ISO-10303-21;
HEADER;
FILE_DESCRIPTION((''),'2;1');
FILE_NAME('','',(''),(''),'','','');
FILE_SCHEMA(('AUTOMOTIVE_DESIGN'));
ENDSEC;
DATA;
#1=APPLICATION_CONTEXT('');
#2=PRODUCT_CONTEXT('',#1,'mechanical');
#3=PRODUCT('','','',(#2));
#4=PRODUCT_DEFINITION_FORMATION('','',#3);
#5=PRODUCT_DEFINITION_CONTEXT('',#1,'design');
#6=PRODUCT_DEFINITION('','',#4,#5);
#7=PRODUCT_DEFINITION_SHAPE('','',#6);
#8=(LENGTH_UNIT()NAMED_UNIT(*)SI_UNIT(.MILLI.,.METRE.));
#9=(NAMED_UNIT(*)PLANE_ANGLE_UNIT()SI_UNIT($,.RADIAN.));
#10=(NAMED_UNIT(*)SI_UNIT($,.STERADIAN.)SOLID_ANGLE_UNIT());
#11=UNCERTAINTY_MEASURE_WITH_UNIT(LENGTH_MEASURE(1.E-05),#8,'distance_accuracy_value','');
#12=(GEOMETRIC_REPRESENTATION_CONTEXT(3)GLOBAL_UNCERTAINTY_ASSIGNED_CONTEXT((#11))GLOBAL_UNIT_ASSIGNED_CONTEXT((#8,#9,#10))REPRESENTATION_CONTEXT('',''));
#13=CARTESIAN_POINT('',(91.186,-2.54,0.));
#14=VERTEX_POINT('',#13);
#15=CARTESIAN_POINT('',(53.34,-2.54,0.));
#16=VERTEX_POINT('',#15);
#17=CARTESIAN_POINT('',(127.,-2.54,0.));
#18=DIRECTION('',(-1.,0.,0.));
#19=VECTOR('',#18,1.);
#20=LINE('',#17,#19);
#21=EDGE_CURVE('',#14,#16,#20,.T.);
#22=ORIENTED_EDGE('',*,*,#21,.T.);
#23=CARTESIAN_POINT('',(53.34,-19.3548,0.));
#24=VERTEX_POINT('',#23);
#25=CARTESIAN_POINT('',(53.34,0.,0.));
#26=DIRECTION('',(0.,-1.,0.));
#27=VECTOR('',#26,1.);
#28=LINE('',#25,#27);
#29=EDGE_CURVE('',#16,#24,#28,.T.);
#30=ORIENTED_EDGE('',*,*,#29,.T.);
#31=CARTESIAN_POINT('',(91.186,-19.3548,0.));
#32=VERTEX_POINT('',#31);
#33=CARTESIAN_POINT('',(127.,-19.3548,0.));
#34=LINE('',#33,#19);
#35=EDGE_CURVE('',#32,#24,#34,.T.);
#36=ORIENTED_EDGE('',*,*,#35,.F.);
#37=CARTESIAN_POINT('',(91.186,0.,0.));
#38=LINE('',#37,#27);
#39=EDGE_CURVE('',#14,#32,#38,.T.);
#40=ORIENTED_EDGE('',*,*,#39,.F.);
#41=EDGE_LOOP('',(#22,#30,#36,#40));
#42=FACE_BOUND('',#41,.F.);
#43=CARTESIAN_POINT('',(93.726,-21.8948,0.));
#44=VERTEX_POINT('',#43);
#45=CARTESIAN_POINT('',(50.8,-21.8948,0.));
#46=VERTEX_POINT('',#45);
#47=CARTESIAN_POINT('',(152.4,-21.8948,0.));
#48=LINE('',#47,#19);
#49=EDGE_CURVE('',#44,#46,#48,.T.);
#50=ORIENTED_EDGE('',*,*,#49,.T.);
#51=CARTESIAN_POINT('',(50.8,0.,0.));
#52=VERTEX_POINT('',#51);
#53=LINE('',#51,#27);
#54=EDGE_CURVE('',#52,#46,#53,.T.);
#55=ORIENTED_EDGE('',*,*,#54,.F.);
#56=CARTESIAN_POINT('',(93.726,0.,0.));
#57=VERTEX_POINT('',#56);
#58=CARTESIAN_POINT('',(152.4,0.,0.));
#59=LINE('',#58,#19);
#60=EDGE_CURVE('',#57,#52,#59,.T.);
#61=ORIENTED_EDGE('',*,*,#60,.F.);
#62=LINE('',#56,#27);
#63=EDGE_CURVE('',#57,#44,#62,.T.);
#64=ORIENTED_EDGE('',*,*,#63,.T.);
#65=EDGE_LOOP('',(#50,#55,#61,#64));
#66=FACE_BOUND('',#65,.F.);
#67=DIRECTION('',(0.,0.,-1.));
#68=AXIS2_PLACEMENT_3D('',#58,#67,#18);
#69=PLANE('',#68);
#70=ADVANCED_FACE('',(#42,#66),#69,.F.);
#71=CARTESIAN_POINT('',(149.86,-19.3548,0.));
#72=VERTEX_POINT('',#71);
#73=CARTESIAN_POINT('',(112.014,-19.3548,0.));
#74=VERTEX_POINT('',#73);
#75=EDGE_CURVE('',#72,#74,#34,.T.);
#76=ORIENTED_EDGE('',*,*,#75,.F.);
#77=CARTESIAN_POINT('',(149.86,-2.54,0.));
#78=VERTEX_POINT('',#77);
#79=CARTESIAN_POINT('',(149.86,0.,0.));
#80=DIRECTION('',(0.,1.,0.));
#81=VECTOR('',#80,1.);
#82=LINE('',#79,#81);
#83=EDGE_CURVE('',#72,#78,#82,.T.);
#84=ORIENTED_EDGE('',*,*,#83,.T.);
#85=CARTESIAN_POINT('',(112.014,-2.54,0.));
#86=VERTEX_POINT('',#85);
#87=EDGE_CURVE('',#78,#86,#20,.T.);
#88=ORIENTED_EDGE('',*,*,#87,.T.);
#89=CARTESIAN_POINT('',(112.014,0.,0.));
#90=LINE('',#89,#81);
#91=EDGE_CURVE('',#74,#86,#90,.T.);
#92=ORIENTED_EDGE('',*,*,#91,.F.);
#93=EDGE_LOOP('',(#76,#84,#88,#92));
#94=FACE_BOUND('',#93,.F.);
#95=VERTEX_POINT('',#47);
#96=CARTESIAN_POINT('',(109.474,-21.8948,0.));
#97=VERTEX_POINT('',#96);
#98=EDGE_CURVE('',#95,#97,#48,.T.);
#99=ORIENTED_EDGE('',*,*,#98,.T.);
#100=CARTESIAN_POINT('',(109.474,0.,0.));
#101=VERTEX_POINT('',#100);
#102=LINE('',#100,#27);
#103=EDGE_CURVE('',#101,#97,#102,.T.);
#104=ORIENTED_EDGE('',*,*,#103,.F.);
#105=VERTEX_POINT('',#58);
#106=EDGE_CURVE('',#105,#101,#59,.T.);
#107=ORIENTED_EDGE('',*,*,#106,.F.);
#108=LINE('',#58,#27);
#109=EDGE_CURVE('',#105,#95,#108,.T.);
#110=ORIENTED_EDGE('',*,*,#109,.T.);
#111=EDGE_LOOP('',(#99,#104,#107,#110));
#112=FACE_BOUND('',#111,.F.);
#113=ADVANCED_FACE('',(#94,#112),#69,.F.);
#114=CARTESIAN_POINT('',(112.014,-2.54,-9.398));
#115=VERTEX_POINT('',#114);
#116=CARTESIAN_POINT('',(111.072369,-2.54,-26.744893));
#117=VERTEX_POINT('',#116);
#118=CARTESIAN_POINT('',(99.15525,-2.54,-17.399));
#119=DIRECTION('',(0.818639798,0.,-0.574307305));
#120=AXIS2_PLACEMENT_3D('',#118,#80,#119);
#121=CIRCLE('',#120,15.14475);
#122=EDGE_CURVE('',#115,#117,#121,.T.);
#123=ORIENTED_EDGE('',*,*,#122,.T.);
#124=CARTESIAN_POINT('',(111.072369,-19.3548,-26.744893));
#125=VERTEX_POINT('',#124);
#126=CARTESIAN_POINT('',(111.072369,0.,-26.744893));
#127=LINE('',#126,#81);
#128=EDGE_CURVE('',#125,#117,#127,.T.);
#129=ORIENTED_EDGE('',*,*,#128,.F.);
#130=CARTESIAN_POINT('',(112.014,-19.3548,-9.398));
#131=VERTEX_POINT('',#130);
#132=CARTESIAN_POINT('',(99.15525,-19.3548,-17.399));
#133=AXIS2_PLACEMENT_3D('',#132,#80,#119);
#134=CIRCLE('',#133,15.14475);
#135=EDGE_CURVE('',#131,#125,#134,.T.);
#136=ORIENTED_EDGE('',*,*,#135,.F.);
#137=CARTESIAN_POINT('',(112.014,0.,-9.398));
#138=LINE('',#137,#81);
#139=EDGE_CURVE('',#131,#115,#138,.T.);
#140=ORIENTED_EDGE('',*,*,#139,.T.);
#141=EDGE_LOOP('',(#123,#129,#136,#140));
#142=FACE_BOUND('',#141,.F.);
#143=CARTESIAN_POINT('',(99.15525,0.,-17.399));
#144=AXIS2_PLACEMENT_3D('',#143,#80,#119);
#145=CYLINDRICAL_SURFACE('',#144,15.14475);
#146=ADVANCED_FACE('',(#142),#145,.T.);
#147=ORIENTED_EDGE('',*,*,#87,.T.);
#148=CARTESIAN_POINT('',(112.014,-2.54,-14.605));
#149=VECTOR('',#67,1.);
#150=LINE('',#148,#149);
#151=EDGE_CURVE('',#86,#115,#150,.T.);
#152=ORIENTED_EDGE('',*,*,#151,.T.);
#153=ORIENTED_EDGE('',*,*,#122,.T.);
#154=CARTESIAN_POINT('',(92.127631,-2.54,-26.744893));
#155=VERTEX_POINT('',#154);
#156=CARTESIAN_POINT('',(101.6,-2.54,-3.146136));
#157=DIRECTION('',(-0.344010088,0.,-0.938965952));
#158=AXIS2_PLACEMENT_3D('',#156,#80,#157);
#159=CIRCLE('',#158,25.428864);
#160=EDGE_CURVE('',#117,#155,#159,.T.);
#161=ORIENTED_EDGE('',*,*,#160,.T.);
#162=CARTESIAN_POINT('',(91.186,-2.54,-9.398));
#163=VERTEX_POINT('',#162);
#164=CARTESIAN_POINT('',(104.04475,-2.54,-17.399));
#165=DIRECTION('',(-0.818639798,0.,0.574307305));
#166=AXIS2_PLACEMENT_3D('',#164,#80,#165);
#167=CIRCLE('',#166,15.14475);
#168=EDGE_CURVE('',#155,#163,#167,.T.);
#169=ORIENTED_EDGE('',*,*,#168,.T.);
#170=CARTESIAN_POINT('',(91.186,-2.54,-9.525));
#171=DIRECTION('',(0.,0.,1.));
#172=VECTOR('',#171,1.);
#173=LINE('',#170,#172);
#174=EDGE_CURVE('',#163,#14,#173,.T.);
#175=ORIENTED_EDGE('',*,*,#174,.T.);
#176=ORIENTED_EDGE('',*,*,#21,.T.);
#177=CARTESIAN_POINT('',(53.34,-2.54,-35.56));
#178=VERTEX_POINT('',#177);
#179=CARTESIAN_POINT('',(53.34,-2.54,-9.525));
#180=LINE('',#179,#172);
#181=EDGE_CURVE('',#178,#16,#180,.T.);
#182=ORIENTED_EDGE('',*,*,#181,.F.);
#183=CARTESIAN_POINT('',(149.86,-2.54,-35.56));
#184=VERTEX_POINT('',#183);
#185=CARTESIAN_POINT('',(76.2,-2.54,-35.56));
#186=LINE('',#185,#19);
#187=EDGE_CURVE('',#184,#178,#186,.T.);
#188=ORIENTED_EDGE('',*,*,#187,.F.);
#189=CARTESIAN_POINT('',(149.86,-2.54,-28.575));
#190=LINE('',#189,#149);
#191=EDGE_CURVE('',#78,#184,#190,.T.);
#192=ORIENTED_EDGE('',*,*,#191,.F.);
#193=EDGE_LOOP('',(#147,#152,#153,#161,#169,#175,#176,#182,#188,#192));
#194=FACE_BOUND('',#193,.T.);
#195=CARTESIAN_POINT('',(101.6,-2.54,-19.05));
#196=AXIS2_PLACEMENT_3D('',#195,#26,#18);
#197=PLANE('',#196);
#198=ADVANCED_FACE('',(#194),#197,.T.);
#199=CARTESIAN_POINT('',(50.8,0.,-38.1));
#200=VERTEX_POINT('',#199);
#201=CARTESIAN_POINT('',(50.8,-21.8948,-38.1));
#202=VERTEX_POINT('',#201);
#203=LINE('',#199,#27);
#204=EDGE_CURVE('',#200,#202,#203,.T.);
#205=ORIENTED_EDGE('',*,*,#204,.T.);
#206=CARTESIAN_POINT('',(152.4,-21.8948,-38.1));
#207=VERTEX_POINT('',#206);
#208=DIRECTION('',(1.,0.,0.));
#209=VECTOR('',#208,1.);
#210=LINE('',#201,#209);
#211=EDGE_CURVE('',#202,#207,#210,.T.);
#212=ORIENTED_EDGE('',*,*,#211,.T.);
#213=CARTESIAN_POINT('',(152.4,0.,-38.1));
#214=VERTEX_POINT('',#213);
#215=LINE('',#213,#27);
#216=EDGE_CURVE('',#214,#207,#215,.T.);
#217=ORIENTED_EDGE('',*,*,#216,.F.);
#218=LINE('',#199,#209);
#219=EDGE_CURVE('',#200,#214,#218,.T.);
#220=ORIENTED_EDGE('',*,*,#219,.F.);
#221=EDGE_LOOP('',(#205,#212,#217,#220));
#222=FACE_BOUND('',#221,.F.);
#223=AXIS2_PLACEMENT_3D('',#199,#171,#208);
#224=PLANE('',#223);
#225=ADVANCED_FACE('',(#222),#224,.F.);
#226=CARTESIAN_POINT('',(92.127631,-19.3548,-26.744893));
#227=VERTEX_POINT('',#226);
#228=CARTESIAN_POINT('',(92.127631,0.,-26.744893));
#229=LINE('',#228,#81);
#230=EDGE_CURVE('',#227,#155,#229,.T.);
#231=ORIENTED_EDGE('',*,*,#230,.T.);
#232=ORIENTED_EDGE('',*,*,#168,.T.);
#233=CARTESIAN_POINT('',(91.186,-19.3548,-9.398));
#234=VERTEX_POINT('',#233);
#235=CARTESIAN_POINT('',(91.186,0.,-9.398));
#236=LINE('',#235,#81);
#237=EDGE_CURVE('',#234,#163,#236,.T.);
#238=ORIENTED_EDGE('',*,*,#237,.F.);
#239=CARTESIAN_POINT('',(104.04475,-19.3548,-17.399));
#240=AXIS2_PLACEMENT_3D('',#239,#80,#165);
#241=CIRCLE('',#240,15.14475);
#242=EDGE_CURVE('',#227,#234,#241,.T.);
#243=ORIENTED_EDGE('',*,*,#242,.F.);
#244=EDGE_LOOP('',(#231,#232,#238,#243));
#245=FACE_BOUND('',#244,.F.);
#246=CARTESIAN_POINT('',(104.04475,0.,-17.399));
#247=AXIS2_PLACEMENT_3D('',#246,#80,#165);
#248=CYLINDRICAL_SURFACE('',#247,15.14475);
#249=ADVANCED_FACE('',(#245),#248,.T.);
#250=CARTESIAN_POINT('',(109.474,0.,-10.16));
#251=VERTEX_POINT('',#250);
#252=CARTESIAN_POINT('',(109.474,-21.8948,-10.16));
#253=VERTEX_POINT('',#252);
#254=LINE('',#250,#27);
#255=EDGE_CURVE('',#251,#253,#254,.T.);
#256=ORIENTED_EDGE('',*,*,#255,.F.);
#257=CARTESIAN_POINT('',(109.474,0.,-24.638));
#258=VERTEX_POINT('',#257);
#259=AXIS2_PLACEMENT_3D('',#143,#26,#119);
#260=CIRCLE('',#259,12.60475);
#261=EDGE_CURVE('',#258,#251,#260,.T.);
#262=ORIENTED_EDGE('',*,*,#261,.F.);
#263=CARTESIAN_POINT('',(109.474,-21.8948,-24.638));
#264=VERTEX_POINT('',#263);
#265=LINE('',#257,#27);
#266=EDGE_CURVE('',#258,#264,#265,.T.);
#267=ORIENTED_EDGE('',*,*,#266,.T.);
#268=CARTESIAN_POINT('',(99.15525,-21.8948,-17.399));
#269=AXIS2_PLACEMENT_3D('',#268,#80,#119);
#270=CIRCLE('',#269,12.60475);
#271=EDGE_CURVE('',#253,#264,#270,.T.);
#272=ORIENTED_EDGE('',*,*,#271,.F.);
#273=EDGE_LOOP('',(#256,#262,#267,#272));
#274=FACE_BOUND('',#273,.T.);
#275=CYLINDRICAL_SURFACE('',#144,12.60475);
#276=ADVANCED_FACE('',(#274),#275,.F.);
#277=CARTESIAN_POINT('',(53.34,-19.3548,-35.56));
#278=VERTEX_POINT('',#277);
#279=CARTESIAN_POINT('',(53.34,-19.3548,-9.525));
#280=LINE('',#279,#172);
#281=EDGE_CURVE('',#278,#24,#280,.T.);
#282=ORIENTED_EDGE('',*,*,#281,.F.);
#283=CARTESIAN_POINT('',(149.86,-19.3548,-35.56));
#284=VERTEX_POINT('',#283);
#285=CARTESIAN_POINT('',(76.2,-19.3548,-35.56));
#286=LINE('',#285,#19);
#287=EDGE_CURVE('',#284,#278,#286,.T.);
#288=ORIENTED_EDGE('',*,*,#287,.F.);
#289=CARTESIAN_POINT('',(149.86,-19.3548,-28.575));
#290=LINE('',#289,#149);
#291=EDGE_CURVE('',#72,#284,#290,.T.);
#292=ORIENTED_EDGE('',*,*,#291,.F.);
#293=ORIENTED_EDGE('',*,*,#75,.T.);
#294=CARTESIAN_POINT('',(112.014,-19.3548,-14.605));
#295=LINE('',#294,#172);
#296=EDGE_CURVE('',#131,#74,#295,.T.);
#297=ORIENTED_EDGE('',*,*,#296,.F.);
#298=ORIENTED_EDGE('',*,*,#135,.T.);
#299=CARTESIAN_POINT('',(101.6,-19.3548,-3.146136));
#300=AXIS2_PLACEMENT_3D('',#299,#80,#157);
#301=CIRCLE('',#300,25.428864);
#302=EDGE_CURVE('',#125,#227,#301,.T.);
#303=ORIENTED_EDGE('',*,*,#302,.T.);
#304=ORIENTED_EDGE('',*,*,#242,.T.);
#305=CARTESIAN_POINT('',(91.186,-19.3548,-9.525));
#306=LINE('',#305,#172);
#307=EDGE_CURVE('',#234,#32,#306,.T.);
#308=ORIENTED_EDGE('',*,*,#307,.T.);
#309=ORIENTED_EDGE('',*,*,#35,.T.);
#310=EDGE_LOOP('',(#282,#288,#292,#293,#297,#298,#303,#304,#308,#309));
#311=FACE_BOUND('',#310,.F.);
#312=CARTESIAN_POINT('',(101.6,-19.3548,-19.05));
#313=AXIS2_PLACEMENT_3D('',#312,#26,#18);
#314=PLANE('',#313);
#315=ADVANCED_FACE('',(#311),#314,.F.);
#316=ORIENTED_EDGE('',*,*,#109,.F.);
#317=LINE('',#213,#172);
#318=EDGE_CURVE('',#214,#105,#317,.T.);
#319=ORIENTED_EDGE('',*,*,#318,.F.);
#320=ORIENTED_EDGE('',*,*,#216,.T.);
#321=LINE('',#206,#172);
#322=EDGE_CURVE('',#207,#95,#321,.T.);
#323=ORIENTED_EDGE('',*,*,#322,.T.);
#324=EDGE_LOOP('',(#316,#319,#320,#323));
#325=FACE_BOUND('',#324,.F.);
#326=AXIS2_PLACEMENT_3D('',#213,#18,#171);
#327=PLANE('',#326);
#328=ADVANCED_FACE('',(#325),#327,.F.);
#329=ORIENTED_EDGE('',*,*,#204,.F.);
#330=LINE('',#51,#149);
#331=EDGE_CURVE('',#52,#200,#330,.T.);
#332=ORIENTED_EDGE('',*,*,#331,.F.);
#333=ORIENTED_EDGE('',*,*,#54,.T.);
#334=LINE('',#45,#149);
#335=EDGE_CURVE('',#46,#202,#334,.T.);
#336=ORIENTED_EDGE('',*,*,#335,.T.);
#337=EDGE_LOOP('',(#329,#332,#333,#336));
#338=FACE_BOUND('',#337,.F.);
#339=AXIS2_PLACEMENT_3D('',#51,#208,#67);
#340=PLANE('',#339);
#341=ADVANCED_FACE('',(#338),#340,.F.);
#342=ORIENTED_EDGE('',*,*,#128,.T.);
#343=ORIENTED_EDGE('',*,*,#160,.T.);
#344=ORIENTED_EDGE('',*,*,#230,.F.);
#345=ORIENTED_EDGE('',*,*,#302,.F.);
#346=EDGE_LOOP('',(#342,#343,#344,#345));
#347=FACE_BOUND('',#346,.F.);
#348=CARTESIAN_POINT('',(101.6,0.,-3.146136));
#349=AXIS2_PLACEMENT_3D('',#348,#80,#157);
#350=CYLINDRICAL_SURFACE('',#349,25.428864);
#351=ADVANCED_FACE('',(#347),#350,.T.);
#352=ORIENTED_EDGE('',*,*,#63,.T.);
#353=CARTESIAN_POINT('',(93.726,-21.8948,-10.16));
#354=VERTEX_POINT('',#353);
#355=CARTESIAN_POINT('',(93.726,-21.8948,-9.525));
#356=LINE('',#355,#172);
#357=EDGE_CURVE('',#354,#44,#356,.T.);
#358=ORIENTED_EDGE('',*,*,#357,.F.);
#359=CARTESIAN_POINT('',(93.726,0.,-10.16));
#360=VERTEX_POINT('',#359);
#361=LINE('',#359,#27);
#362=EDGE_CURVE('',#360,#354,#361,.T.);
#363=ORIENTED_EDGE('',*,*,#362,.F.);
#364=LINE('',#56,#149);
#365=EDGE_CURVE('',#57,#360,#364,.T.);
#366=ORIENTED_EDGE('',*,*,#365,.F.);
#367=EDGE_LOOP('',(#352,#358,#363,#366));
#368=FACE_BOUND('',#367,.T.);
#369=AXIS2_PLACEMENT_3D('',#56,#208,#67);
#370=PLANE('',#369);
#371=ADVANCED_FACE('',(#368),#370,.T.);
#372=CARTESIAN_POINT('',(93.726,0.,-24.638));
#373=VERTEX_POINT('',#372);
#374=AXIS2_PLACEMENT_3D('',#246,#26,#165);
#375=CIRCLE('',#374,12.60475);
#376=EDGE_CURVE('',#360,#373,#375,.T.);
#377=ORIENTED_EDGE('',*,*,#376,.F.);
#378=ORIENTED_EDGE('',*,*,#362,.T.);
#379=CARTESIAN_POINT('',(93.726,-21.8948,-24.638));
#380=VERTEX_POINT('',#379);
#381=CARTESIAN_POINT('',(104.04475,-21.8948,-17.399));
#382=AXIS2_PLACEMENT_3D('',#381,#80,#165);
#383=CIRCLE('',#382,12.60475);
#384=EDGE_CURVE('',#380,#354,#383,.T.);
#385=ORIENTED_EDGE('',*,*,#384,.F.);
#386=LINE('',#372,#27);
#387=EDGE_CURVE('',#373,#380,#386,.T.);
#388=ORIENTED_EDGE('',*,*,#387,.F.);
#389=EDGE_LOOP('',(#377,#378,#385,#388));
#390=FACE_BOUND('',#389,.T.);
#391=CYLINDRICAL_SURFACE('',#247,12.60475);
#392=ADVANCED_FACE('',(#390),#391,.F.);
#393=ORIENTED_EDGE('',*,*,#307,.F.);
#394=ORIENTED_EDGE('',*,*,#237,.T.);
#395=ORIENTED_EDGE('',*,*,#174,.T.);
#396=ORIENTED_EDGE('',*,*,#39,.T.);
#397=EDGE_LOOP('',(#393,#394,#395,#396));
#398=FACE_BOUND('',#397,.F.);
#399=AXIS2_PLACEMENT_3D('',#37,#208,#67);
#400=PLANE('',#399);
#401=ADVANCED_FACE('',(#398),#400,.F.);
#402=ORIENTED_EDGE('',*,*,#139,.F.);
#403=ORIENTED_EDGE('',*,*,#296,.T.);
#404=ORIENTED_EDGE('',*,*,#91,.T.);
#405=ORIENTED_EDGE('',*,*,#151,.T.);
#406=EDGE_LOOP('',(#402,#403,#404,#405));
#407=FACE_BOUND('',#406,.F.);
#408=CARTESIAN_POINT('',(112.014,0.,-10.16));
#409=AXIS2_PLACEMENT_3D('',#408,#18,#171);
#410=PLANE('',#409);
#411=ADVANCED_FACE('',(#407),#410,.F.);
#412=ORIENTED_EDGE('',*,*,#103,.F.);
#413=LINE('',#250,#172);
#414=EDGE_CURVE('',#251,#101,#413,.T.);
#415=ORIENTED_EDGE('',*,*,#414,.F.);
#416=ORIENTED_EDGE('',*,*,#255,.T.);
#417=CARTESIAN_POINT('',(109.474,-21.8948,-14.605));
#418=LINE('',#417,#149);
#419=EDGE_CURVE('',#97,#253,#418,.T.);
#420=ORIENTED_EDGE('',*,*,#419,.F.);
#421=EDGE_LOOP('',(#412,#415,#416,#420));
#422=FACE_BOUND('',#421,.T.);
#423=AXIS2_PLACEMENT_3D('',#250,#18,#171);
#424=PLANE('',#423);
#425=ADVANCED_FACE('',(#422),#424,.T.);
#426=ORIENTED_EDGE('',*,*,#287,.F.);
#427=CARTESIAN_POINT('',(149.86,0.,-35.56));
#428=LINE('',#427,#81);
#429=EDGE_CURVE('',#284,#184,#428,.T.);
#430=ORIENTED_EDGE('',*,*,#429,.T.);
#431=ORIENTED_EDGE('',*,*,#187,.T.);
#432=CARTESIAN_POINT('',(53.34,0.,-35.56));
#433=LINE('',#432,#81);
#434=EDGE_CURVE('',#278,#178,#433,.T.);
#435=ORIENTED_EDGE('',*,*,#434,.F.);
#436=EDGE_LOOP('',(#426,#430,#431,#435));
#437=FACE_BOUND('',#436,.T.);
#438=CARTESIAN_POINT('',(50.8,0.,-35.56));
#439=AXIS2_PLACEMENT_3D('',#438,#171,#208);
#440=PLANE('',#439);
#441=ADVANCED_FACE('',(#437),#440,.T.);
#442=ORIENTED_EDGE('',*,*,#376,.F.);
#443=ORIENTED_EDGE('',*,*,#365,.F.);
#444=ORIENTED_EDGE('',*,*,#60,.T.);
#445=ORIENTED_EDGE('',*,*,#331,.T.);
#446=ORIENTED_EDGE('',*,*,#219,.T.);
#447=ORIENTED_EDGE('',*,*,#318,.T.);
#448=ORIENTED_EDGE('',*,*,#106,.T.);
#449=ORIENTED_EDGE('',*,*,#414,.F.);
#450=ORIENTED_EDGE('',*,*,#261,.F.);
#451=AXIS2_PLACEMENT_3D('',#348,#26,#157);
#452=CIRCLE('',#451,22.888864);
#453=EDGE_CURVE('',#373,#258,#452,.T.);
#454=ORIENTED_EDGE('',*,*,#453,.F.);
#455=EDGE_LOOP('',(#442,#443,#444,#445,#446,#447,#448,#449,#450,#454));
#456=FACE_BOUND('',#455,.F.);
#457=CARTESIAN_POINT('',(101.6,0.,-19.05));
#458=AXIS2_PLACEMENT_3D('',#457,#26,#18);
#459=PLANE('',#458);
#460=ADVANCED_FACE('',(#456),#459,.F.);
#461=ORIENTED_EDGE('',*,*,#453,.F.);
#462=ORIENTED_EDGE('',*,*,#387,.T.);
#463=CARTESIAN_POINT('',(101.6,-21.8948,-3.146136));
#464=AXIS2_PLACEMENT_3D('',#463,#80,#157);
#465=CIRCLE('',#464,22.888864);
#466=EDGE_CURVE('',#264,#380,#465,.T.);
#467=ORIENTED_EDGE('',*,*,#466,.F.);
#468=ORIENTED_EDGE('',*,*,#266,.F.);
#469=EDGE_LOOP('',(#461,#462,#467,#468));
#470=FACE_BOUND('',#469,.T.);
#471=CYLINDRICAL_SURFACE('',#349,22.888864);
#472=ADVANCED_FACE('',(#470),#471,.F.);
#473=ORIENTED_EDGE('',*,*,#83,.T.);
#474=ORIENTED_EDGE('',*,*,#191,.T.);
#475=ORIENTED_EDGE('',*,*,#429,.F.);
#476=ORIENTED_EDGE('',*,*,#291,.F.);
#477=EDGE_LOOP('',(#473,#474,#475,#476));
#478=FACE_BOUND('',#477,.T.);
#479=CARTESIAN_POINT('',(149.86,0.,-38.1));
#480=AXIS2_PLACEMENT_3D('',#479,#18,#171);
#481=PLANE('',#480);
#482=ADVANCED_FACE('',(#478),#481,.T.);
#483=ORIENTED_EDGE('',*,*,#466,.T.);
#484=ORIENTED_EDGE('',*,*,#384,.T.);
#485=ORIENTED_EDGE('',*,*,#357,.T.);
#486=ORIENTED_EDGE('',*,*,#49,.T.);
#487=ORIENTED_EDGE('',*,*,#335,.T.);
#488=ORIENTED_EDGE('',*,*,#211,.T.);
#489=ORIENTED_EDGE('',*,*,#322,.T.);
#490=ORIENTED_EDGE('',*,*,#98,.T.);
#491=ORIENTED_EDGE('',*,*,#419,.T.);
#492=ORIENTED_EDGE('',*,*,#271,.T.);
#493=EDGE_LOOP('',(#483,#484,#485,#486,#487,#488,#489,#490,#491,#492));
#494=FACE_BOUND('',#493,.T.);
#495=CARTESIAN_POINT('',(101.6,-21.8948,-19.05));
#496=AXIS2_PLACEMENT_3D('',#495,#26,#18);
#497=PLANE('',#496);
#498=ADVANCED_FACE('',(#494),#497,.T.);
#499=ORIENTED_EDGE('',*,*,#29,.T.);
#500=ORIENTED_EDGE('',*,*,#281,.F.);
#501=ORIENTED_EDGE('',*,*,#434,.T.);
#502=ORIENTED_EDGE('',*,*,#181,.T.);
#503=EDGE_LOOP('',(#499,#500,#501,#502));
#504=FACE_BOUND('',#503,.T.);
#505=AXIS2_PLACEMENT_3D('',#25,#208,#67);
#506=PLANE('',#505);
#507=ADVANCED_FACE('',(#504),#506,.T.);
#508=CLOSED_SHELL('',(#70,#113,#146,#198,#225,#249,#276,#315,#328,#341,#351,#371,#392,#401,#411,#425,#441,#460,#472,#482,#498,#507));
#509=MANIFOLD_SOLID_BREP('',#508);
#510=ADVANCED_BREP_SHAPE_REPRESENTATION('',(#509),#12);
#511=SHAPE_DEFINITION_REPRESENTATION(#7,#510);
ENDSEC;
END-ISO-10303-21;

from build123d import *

# Parameters (mm, degrees)
F1_DEPTH = 21.8948
F3_DEPTH = 25.4
F4_T     = -2.54
F5_ANGLE = 180


with BuildPart() as f1:
    # F0 (on Front) → F1 (new body)
    with BuildSketch(Plane.XZ):
        Polygon((-50.8, 0), (0, 0), (50.8, 0), (50.8, 38.1), (-50.8, 38.1), align=None)
    extrude(amount=F1_DEPTH)

    # F2 (on Front) → F3 (cut)
    with BuildSketch(Plane.XZ):
        with BuildLine():
            ThreePointArc((-7.874, 24.638), (-10.16, 17.399), (-7.874, 10.16))
            Line((-7.874, 10.16), (-7.874, 0))
            Line((-7.874, 0), (7.874, 0))
            Line((7.874, 0), (7.874, 10.16))
            ThreePointArc((7.874, 10.16), (10.16, 17.399), (7.874, 24.638))
            ThreePointArc((7.874, 24.638), (0, 26.035), (-7.874, 24.638))
        make_face()
    extrude(amount=F3_DEPTH, mode=Mode.SUBTRACT)

    # F4
    f4_openings = [f1.faces().sort_by_distance(p)[0] for p in [
        (29.337, -10.9474, 0),
        (-29.337, -10.9474, 0),
    ]]
    offset(amount=F4_T, openings=f4_openings, kind=Kind.INTERSECTION)


with BuildPart() as f1_1:
    # F5: moved
    add(f1.part.rotate(Axis((50.8, -10.9474, 0), (0, 1, 0)), F5_ANGLE))


solid = f1_1.part
